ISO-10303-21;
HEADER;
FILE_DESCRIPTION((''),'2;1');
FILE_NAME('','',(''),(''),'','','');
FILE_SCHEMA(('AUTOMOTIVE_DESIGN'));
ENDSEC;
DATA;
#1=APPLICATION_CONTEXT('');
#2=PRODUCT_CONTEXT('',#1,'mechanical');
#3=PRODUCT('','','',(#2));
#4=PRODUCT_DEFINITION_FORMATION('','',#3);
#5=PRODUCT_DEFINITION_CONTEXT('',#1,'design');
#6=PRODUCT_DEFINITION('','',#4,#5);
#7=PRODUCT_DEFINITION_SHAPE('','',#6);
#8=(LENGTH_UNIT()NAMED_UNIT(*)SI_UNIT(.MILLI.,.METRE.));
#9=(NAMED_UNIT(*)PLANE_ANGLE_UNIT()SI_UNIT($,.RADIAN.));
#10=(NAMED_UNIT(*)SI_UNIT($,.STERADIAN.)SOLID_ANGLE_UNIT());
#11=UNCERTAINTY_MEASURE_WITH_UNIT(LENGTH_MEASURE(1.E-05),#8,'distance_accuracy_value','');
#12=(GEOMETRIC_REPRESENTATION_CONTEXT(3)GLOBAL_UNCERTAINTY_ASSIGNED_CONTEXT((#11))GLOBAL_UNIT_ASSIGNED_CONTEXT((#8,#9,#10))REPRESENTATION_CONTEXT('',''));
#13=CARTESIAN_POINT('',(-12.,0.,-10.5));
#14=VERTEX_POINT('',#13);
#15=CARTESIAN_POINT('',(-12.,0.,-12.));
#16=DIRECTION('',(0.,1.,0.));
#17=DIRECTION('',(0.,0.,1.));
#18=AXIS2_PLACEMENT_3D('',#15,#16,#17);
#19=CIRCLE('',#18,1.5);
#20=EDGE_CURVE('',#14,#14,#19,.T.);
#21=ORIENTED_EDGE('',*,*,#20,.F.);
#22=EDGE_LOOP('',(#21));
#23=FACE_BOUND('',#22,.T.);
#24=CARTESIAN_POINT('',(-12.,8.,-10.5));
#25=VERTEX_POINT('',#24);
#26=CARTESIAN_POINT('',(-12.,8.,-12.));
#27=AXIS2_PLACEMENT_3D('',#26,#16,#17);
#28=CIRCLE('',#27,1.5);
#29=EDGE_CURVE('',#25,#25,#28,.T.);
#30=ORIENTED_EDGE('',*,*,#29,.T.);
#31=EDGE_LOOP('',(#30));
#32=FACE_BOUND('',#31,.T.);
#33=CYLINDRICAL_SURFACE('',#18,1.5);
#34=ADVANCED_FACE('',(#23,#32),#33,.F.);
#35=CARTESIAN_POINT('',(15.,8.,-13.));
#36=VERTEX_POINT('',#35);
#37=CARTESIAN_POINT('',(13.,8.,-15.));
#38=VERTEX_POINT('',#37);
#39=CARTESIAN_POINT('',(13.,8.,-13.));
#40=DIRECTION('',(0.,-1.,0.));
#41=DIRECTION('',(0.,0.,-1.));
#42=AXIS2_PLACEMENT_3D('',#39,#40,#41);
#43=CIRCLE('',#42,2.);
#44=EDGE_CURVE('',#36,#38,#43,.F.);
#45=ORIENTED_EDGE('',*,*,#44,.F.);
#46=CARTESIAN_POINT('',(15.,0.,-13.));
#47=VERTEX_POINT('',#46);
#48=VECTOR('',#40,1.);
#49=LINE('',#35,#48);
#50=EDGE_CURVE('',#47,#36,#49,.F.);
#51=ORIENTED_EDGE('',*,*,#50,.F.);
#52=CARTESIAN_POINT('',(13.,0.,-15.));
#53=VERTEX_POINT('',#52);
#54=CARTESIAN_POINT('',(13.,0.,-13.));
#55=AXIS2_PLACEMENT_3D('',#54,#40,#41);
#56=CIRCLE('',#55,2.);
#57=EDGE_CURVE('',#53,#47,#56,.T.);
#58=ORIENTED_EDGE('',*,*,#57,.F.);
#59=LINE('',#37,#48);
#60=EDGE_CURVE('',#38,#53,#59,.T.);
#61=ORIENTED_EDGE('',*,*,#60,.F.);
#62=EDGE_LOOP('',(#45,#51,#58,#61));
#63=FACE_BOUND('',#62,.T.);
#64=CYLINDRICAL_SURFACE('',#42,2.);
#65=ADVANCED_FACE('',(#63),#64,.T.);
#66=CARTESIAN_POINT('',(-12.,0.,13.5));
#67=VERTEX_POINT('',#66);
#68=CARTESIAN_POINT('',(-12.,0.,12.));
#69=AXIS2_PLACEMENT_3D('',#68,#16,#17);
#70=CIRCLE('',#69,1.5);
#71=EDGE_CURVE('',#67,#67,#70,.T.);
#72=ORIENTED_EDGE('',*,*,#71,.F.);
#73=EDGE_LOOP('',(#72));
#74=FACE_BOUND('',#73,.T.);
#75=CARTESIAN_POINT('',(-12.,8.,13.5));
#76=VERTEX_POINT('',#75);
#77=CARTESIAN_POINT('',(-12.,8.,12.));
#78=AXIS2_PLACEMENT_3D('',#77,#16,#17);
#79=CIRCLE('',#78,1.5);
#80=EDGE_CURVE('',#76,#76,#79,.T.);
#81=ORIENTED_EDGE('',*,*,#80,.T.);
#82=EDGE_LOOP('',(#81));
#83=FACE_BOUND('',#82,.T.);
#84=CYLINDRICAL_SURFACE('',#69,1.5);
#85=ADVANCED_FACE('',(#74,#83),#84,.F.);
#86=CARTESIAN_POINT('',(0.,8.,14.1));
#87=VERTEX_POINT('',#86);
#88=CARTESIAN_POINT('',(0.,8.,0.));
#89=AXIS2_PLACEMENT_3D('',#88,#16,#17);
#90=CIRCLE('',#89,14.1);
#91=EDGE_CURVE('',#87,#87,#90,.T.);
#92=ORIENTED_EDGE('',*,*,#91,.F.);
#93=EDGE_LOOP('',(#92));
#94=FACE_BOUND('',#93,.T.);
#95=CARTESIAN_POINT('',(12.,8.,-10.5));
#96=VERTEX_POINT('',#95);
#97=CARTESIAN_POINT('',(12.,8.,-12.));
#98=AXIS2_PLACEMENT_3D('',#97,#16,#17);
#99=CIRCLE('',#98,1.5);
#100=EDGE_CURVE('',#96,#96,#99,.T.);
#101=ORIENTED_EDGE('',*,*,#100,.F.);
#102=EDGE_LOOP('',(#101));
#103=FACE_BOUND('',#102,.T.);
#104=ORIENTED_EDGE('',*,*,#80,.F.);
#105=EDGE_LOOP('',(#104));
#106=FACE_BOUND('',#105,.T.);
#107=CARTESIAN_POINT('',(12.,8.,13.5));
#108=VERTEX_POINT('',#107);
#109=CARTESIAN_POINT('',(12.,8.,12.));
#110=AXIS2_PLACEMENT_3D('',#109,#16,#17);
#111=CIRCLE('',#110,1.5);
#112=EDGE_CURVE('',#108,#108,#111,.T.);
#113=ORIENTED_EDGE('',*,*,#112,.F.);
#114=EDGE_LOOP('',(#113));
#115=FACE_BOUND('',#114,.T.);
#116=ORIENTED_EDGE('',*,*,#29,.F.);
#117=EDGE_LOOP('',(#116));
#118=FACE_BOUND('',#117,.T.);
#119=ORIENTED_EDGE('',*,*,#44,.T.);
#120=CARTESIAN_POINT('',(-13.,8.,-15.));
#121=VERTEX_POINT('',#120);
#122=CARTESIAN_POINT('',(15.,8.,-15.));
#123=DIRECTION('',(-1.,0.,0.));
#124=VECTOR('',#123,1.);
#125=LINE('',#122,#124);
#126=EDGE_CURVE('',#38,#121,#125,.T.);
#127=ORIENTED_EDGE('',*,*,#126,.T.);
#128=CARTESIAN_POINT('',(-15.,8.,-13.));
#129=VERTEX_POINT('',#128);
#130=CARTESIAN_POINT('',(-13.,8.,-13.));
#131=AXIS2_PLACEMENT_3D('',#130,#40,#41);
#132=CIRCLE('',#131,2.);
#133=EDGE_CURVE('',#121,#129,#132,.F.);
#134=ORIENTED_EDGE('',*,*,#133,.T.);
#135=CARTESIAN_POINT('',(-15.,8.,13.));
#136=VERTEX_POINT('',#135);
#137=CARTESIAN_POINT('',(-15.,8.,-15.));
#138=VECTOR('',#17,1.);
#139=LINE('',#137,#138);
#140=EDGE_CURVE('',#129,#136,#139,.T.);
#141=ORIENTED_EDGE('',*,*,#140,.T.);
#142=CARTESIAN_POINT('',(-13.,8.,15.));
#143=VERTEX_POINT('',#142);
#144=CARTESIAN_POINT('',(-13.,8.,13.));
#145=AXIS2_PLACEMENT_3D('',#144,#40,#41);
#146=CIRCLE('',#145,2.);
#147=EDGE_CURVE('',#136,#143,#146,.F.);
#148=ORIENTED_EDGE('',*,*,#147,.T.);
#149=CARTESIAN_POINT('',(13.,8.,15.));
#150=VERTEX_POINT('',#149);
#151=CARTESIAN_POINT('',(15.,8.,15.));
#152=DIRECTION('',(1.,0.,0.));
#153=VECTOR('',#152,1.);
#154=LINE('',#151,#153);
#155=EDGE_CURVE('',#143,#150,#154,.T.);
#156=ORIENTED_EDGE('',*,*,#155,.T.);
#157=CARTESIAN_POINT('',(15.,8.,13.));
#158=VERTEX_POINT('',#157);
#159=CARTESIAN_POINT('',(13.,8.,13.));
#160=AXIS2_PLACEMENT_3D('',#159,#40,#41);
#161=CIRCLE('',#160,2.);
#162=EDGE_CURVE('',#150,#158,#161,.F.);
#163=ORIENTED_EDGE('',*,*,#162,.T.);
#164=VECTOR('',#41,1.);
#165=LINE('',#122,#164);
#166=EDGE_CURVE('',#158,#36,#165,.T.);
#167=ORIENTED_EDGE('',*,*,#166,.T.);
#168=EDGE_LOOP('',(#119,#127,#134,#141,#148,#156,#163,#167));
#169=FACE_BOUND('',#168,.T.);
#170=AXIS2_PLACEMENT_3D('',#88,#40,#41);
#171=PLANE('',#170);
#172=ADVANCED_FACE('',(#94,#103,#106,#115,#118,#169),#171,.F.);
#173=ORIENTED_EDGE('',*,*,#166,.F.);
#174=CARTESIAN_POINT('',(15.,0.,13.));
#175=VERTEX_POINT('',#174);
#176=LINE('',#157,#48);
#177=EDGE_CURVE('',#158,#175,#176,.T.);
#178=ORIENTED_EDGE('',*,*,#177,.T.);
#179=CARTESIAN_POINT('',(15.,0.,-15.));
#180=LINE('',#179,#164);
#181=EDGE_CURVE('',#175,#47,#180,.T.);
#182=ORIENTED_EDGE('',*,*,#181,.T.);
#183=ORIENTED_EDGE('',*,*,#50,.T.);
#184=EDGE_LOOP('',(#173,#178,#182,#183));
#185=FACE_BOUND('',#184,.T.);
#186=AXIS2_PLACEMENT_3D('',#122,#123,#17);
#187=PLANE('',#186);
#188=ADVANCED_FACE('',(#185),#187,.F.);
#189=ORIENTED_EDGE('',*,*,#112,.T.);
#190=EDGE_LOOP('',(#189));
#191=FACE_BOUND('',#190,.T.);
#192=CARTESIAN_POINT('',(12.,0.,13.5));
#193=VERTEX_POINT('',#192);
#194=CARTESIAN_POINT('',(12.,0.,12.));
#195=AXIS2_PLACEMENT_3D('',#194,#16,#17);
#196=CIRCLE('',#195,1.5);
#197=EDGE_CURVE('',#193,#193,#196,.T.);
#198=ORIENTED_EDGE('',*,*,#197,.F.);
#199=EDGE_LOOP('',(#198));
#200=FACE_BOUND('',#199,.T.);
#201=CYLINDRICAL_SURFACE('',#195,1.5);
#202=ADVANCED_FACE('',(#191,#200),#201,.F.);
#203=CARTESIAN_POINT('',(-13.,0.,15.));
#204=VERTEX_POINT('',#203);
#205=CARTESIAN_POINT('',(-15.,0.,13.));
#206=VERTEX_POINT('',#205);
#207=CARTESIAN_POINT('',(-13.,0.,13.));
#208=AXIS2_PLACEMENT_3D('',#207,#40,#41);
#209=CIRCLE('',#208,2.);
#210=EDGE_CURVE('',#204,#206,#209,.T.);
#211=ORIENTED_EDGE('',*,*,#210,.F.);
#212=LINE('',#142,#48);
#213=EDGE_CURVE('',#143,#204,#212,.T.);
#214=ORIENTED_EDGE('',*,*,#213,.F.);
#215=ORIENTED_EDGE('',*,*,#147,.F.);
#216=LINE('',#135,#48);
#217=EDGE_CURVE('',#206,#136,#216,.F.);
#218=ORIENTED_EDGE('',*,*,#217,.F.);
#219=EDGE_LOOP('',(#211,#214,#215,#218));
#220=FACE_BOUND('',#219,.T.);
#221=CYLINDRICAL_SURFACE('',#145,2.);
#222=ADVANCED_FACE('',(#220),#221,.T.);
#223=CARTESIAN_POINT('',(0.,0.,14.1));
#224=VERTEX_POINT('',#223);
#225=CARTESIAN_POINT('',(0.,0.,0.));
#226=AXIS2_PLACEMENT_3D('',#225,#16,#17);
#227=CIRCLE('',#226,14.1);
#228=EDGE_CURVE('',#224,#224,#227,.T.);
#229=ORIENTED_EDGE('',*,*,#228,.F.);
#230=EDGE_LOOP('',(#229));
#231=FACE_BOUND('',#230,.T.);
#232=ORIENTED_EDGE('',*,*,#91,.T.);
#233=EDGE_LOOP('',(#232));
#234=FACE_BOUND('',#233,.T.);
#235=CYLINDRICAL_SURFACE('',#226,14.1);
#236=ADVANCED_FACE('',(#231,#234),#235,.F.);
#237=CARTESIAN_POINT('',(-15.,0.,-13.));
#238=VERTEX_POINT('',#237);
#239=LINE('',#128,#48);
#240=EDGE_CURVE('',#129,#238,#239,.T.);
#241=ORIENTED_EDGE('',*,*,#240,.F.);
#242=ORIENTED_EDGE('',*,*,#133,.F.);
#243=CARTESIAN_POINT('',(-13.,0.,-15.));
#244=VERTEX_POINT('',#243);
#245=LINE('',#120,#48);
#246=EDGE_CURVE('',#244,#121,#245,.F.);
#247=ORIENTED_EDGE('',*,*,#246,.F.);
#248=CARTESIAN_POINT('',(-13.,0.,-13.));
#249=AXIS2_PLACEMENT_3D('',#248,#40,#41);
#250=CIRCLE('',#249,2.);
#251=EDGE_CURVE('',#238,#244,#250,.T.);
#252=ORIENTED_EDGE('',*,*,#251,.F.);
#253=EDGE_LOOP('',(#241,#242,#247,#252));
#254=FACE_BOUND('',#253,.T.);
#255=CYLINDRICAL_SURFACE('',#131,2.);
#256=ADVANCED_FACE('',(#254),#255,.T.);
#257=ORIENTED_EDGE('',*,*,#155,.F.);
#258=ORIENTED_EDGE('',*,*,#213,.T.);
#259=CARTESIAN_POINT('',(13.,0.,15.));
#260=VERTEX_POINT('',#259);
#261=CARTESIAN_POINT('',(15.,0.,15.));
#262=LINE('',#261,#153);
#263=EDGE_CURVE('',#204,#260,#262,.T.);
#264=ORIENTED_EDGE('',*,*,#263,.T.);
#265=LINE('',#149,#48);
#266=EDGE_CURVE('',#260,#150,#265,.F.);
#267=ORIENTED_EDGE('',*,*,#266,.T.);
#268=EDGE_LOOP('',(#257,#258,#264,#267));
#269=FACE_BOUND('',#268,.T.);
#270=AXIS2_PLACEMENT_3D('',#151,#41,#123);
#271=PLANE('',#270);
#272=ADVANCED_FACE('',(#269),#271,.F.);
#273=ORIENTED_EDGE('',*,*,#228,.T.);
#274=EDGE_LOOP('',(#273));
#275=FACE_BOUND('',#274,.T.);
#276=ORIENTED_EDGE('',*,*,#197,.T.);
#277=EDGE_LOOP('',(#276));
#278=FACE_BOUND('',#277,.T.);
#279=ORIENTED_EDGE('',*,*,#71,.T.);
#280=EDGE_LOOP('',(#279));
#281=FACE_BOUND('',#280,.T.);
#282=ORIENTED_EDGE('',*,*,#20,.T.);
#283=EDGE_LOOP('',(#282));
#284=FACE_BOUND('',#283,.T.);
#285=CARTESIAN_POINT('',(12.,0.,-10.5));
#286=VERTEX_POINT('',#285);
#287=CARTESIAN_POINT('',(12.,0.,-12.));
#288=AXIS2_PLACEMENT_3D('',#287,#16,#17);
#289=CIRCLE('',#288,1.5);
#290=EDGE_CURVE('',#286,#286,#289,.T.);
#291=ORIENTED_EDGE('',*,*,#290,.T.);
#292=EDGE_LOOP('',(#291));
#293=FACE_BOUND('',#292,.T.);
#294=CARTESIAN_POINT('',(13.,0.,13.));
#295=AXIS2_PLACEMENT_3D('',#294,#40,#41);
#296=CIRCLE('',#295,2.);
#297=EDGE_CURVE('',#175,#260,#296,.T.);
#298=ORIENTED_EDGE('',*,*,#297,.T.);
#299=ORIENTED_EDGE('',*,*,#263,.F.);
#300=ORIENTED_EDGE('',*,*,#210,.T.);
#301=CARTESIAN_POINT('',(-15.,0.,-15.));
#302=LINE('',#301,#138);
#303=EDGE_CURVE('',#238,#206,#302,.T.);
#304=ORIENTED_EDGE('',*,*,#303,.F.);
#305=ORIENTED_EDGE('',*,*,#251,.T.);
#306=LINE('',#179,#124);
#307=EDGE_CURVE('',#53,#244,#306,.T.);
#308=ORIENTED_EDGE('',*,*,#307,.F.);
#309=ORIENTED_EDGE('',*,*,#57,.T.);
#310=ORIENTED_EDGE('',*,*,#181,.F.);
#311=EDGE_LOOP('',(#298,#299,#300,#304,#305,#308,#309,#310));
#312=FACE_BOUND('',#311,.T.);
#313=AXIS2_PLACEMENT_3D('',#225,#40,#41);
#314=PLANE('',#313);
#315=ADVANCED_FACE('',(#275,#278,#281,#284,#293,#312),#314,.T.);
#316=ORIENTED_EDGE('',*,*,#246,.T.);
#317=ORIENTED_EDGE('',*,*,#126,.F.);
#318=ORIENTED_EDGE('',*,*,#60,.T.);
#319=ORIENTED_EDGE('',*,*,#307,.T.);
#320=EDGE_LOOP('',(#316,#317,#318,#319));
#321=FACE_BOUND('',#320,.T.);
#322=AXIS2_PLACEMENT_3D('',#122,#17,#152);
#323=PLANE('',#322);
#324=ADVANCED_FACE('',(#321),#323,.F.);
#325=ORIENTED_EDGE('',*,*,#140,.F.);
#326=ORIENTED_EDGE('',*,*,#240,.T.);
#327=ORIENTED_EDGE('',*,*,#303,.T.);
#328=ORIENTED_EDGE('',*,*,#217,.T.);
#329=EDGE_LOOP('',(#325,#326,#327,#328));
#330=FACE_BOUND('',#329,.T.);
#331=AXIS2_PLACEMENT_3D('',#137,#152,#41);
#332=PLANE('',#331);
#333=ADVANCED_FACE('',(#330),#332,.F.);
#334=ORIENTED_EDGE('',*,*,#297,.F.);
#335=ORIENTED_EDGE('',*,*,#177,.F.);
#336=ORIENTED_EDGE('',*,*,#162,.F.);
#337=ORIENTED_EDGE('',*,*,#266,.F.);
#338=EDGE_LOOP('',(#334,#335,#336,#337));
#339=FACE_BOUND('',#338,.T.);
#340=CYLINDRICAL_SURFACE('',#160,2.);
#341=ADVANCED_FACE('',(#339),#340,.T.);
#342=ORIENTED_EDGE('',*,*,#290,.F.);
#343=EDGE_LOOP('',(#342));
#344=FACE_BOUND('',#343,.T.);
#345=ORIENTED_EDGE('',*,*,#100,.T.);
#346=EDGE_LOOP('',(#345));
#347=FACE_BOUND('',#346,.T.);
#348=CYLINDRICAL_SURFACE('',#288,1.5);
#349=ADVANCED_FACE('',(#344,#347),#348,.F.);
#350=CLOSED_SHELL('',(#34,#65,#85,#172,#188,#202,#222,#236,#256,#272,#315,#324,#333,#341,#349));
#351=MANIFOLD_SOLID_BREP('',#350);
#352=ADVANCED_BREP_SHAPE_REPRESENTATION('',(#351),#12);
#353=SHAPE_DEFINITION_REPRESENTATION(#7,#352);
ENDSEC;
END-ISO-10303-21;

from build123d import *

# Parameters (mm, degrees)
SKETCH1_W           = 30
SKETCH1_H           = 30
BOSS_EXTRUDE1_DEPTH = 8
FILLET1_R           = 2
SKETCH2_R           = 1.5
CUT_EXTRUDE1_DEPTH  = 8
SKETCH3_R           = 14.1
CUT_EXTRUDE2_DEPTH  = 8


with BuildPart() as part:
    # Sketch1 → Boss-Extrude1 (new body)
    with BuildSketch(Plane(origin=(0, 0, 0), x_dir=(1, 0, 0), z_dir=(0, 1, 0))):
        Rectangle(SKETCH1_W, SKETCH1_H)
    extrude(amount=BOSS_EXTRUDE1_DEPTH)

    # Fillet1
    fillet1_edges = [part.edges().sort_by_distance(p)[0] for p in [
        (-15, 4, -15),
        (15, 4, -15),
        (15, 4, 15),
        (-15, 4, 15),
    ]]
    fillet(fillet1_edges, radius=FILLET1_R)

    # Sketch2 → Cut-Extrude1 (cut)
    with BuildSketch(Plane(origin=(0, 8, 0), x_dir=(1, 0, 0), z_dir=(0, 1, 0))):
        with Locations((-12, 12)):
            Circle(SKETCH2_R)
        with Locations((12, 12)):
            Circle(SKETCH2_R)
        with Locations((-12, -12)):
            Circle(SKETCH2_R)
        with Locations((12, -12)):
            Circle(SKETCH2_R)
    extrude(amount=-CUT_EXTRUDE1_DEPTH, mode=Mode.SUBTRACT)

    # Sketch3 → Cut-Extrude2 (cut)
    with BuildSketch(Plane(origin=(0, 8, 0), x_dir=(1, 0, 0), z_dir=(0, 1, 0))):
        Circle(SKETCH3_R)
    extrude(amount=-CUT_EXTRUDE2_DEPTH, mode=Mode.SUBTRACT)


solid = part.part
